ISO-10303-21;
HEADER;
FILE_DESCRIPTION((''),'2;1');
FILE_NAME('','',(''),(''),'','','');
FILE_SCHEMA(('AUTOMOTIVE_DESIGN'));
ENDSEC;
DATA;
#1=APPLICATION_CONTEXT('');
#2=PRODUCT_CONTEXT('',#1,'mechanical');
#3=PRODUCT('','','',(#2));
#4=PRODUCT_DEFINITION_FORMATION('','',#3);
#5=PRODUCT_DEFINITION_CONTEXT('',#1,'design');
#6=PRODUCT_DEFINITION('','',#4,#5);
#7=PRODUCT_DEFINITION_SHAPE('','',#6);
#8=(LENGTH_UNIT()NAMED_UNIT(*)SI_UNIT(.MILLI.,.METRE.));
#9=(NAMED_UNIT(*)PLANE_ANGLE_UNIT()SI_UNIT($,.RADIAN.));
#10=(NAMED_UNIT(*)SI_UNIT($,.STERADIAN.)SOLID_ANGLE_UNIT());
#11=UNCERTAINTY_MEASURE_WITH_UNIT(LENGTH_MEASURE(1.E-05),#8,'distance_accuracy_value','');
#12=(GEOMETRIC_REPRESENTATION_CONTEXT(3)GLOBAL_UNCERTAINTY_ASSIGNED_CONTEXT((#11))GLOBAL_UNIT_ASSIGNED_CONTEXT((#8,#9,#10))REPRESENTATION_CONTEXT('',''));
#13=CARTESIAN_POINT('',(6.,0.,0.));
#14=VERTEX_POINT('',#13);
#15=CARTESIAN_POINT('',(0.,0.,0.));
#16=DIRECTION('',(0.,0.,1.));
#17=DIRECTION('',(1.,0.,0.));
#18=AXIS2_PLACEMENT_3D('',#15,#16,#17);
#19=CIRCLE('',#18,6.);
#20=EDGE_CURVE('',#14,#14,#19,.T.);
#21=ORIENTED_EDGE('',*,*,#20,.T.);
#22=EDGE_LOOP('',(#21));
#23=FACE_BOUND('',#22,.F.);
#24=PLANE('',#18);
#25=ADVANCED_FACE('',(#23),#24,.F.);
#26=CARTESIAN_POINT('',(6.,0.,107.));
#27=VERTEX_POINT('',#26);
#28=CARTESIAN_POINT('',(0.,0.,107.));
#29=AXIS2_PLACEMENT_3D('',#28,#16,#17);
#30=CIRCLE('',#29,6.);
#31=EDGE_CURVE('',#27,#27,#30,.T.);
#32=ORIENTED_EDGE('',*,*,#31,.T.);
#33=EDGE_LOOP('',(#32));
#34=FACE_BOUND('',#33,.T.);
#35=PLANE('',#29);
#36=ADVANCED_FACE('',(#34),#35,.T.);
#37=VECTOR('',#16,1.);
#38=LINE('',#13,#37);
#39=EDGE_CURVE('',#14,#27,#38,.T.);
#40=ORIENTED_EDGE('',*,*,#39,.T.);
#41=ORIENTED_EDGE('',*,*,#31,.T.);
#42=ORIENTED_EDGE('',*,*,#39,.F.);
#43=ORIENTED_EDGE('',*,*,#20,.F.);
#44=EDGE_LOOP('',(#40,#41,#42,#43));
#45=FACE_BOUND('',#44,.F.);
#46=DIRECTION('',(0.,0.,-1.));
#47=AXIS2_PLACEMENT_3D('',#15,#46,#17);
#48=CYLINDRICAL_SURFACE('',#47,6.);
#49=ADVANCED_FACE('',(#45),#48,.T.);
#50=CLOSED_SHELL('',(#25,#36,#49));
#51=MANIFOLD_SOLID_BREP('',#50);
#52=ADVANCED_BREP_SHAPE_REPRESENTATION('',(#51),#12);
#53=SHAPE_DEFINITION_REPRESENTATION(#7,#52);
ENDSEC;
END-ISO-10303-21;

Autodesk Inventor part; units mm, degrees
ref_plane "YZ Plane" through (0, 0, 0) normal (1, 0, 0) x (0, 1, 0)
ref_plane "XZ Plane" through (0, 0, 0) normal (0, 1, 0) x (-1, 0, 0)
ref_plane "XY Plane" through (0, 0, 0) normal (0, 0, 1) x (1, 0, 0)
sketch "スケッチ1" plane through (0, 0, 0) normal (0, 0, 1) x (1, 0, 0)
  circle A0 centre (0, 0) radius 6
  dimension "d0" = 12
extrude "押し出し1" add sketch "スケッチ1" along normal blind 107
properties part number "14mmパイプ"
